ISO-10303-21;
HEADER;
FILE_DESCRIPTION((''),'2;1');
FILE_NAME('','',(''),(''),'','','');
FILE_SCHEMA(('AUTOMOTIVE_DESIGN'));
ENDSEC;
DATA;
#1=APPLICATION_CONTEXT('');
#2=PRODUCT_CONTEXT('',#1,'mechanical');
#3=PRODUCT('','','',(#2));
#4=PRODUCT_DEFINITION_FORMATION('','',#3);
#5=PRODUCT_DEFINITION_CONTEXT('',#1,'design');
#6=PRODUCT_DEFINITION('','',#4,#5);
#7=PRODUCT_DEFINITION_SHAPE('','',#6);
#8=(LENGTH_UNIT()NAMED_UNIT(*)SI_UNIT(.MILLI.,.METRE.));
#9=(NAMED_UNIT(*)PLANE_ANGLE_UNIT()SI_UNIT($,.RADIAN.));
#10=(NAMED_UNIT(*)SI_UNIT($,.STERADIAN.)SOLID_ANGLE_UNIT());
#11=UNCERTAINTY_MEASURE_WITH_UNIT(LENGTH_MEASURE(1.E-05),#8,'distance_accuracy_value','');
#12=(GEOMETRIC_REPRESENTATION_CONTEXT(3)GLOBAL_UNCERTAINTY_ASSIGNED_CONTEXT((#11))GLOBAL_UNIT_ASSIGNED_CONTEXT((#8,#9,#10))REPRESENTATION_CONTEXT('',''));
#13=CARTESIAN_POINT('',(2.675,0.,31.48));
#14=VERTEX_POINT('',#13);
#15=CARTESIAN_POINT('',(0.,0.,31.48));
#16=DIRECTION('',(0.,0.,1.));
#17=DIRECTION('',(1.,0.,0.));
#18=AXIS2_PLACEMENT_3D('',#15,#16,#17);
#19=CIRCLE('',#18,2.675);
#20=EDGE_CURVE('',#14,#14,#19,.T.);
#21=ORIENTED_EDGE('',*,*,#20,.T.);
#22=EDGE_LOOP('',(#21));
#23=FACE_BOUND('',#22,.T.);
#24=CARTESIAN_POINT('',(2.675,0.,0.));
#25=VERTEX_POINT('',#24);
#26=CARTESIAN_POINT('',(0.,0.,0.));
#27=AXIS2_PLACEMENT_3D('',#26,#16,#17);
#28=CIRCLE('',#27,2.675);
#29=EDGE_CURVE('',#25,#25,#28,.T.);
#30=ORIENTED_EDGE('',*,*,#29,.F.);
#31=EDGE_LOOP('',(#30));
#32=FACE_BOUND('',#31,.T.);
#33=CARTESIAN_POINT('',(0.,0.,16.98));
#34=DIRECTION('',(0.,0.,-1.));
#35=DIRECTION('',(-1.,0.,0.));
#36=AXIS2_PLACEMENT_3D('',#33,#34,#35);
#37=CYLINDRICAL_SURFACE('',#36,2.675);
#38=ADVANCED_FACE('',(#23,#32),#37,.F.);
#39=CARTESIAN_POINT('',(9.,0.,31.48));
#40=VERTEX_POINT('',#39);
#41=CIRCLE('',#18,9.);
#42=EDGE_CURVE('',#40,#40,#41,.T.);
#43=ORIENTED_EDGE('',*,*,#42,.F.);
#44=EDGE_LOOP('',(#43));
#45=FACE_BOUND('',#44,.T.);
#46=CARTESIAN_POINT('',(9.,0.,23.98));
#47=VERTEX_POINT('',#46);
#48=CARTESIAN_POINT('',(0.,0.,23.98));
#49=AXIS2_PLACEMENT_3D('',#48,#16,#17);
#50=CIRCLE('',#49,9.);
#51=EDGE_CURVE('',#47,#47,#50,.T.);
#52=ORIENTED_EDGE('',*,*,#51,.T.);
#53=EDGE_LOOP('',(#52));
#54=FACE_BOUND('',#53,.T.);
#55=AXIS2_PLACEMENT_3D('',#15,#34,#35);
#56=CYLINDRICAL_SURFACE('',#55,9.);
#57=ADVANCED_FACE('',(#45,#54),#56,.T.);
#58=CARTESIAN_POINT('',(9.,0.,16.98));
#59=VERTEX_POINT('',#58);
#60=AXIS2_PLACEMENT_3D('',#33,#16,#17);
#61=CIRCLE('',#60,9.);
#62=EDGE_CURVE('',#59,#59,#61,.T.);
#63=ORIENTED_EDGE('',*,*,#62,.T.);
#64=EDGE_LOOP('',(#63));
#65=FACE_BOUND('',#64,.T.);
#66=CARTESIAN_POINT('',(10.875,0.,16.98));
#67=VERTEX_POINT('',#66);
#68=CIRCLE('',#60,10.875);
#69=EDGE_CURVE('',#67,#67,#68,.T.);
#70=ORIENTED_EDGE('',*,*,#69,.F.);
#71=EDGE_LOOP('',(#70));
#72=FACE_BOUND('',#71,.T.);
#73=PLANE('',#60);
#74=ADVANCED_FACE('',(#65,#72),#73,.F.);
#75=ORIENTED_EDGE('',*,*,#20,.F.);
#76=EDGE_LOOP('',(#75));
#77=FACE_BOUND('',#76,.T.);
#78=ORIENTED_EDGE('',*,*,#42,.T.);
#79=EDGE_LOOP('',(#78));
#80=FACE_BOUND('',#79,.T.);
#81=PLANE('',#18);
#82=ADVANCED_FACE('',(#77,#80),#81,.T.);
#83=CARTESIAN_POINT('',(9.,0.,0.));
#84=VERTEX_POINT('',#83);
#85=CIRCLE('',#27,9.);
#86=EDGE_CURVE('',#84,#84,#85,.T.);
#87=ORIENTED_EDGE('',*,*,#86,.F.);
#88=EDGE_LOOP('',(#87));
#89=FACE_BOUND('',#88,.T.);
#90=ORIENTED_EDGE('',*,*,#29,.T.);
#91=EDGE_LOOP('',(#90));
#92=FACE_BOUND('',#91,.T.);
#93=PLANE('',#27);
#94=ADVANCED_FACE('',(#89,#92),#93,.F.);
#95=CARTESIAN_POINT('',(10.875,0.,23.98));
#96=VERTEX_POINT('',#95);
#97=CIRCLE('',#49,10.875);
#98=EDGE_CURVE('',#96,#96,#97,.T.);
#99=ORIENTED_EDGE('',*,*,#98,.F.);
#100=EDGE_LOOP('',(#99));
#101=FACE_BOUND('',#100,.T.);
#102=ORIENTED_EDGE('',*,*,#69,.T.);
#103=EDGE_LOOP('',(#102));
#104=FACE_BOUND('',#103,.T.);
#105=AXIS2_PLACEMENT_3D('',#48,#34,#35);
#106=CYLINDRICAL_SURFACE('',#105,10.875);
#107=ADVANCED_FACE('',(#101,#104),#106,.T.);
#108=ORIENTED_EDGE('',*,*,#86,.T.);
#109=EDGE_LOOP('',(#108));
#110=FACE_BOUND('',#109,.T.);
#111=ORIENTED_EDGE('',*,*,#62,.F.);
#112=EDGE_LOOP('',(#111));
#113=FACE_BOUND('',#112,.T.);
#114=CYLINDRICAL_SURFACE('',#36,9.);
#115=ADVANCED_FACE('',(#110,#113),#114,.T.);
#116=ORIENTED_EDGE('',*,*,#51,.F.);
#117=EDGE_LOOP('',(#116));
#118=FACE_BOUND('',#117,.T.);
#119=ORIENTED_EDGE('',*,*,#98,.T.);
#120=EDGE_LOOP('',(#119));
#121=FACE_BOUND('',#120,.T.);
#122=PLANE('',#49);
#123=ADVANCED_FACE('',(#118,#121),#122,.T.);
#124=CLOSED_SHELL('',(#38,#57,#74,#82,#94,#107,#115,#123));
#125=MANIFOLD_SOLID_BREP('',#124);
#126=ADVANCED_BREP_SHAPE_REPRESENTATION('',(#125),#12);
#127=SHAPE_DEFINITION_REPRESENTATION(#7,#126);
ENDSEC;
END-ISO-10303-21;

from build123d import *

# Parameters (mm, degrees)
SKETCH1_R           = 9
SKETCH1_R_2         = 2.675
BOSS_EXTRUDE1_DEPTH = 16.98
SKETCH2_R           = 10.875
SKETCH2_R_2         = 2.675
BOSS_EXTRUDE2_DEPTH = 7
SKETCH4_R           = 9
SKETCH4_R_2         = 2.675
BOSS_EXTRUDE3_DEPTH = 7.5


with BuildPart() as part:
    # Sketch1 → Boss-Extrude1 (new body)
    with BuildSketch(Plane.XY):
        Circle(SKETCH1_R)
        Circle(SKETCH1_R_2, mode=Mode.SUBTRACT)
    extrude(amount=BOSS_EXTRUDE1_DEPTH)

    # Sketch2 → Boss-Extrude2 (add)
    with BuildSketch(Plane.XY.offset(16.98)):
        Circle(SKETCH2_R)
        Circle(SKETCH2_R_2, mode=Mode.SUBTRACT)
    extrude(amount=BOSS_EXTRUDE2_DEPTH)

    # Sketch4 → Boss-Extrude3 (add)
    with BuildSketch(Plane.XY.offset(23.98)):
        Circle(SKETCH4_R)
        Circle(SKETCH4_R_2, mode=Mode.SUBTRACT)
    extrude(amount=BOSS_EXTRUDE3_DEPTH)


solid = part.part
